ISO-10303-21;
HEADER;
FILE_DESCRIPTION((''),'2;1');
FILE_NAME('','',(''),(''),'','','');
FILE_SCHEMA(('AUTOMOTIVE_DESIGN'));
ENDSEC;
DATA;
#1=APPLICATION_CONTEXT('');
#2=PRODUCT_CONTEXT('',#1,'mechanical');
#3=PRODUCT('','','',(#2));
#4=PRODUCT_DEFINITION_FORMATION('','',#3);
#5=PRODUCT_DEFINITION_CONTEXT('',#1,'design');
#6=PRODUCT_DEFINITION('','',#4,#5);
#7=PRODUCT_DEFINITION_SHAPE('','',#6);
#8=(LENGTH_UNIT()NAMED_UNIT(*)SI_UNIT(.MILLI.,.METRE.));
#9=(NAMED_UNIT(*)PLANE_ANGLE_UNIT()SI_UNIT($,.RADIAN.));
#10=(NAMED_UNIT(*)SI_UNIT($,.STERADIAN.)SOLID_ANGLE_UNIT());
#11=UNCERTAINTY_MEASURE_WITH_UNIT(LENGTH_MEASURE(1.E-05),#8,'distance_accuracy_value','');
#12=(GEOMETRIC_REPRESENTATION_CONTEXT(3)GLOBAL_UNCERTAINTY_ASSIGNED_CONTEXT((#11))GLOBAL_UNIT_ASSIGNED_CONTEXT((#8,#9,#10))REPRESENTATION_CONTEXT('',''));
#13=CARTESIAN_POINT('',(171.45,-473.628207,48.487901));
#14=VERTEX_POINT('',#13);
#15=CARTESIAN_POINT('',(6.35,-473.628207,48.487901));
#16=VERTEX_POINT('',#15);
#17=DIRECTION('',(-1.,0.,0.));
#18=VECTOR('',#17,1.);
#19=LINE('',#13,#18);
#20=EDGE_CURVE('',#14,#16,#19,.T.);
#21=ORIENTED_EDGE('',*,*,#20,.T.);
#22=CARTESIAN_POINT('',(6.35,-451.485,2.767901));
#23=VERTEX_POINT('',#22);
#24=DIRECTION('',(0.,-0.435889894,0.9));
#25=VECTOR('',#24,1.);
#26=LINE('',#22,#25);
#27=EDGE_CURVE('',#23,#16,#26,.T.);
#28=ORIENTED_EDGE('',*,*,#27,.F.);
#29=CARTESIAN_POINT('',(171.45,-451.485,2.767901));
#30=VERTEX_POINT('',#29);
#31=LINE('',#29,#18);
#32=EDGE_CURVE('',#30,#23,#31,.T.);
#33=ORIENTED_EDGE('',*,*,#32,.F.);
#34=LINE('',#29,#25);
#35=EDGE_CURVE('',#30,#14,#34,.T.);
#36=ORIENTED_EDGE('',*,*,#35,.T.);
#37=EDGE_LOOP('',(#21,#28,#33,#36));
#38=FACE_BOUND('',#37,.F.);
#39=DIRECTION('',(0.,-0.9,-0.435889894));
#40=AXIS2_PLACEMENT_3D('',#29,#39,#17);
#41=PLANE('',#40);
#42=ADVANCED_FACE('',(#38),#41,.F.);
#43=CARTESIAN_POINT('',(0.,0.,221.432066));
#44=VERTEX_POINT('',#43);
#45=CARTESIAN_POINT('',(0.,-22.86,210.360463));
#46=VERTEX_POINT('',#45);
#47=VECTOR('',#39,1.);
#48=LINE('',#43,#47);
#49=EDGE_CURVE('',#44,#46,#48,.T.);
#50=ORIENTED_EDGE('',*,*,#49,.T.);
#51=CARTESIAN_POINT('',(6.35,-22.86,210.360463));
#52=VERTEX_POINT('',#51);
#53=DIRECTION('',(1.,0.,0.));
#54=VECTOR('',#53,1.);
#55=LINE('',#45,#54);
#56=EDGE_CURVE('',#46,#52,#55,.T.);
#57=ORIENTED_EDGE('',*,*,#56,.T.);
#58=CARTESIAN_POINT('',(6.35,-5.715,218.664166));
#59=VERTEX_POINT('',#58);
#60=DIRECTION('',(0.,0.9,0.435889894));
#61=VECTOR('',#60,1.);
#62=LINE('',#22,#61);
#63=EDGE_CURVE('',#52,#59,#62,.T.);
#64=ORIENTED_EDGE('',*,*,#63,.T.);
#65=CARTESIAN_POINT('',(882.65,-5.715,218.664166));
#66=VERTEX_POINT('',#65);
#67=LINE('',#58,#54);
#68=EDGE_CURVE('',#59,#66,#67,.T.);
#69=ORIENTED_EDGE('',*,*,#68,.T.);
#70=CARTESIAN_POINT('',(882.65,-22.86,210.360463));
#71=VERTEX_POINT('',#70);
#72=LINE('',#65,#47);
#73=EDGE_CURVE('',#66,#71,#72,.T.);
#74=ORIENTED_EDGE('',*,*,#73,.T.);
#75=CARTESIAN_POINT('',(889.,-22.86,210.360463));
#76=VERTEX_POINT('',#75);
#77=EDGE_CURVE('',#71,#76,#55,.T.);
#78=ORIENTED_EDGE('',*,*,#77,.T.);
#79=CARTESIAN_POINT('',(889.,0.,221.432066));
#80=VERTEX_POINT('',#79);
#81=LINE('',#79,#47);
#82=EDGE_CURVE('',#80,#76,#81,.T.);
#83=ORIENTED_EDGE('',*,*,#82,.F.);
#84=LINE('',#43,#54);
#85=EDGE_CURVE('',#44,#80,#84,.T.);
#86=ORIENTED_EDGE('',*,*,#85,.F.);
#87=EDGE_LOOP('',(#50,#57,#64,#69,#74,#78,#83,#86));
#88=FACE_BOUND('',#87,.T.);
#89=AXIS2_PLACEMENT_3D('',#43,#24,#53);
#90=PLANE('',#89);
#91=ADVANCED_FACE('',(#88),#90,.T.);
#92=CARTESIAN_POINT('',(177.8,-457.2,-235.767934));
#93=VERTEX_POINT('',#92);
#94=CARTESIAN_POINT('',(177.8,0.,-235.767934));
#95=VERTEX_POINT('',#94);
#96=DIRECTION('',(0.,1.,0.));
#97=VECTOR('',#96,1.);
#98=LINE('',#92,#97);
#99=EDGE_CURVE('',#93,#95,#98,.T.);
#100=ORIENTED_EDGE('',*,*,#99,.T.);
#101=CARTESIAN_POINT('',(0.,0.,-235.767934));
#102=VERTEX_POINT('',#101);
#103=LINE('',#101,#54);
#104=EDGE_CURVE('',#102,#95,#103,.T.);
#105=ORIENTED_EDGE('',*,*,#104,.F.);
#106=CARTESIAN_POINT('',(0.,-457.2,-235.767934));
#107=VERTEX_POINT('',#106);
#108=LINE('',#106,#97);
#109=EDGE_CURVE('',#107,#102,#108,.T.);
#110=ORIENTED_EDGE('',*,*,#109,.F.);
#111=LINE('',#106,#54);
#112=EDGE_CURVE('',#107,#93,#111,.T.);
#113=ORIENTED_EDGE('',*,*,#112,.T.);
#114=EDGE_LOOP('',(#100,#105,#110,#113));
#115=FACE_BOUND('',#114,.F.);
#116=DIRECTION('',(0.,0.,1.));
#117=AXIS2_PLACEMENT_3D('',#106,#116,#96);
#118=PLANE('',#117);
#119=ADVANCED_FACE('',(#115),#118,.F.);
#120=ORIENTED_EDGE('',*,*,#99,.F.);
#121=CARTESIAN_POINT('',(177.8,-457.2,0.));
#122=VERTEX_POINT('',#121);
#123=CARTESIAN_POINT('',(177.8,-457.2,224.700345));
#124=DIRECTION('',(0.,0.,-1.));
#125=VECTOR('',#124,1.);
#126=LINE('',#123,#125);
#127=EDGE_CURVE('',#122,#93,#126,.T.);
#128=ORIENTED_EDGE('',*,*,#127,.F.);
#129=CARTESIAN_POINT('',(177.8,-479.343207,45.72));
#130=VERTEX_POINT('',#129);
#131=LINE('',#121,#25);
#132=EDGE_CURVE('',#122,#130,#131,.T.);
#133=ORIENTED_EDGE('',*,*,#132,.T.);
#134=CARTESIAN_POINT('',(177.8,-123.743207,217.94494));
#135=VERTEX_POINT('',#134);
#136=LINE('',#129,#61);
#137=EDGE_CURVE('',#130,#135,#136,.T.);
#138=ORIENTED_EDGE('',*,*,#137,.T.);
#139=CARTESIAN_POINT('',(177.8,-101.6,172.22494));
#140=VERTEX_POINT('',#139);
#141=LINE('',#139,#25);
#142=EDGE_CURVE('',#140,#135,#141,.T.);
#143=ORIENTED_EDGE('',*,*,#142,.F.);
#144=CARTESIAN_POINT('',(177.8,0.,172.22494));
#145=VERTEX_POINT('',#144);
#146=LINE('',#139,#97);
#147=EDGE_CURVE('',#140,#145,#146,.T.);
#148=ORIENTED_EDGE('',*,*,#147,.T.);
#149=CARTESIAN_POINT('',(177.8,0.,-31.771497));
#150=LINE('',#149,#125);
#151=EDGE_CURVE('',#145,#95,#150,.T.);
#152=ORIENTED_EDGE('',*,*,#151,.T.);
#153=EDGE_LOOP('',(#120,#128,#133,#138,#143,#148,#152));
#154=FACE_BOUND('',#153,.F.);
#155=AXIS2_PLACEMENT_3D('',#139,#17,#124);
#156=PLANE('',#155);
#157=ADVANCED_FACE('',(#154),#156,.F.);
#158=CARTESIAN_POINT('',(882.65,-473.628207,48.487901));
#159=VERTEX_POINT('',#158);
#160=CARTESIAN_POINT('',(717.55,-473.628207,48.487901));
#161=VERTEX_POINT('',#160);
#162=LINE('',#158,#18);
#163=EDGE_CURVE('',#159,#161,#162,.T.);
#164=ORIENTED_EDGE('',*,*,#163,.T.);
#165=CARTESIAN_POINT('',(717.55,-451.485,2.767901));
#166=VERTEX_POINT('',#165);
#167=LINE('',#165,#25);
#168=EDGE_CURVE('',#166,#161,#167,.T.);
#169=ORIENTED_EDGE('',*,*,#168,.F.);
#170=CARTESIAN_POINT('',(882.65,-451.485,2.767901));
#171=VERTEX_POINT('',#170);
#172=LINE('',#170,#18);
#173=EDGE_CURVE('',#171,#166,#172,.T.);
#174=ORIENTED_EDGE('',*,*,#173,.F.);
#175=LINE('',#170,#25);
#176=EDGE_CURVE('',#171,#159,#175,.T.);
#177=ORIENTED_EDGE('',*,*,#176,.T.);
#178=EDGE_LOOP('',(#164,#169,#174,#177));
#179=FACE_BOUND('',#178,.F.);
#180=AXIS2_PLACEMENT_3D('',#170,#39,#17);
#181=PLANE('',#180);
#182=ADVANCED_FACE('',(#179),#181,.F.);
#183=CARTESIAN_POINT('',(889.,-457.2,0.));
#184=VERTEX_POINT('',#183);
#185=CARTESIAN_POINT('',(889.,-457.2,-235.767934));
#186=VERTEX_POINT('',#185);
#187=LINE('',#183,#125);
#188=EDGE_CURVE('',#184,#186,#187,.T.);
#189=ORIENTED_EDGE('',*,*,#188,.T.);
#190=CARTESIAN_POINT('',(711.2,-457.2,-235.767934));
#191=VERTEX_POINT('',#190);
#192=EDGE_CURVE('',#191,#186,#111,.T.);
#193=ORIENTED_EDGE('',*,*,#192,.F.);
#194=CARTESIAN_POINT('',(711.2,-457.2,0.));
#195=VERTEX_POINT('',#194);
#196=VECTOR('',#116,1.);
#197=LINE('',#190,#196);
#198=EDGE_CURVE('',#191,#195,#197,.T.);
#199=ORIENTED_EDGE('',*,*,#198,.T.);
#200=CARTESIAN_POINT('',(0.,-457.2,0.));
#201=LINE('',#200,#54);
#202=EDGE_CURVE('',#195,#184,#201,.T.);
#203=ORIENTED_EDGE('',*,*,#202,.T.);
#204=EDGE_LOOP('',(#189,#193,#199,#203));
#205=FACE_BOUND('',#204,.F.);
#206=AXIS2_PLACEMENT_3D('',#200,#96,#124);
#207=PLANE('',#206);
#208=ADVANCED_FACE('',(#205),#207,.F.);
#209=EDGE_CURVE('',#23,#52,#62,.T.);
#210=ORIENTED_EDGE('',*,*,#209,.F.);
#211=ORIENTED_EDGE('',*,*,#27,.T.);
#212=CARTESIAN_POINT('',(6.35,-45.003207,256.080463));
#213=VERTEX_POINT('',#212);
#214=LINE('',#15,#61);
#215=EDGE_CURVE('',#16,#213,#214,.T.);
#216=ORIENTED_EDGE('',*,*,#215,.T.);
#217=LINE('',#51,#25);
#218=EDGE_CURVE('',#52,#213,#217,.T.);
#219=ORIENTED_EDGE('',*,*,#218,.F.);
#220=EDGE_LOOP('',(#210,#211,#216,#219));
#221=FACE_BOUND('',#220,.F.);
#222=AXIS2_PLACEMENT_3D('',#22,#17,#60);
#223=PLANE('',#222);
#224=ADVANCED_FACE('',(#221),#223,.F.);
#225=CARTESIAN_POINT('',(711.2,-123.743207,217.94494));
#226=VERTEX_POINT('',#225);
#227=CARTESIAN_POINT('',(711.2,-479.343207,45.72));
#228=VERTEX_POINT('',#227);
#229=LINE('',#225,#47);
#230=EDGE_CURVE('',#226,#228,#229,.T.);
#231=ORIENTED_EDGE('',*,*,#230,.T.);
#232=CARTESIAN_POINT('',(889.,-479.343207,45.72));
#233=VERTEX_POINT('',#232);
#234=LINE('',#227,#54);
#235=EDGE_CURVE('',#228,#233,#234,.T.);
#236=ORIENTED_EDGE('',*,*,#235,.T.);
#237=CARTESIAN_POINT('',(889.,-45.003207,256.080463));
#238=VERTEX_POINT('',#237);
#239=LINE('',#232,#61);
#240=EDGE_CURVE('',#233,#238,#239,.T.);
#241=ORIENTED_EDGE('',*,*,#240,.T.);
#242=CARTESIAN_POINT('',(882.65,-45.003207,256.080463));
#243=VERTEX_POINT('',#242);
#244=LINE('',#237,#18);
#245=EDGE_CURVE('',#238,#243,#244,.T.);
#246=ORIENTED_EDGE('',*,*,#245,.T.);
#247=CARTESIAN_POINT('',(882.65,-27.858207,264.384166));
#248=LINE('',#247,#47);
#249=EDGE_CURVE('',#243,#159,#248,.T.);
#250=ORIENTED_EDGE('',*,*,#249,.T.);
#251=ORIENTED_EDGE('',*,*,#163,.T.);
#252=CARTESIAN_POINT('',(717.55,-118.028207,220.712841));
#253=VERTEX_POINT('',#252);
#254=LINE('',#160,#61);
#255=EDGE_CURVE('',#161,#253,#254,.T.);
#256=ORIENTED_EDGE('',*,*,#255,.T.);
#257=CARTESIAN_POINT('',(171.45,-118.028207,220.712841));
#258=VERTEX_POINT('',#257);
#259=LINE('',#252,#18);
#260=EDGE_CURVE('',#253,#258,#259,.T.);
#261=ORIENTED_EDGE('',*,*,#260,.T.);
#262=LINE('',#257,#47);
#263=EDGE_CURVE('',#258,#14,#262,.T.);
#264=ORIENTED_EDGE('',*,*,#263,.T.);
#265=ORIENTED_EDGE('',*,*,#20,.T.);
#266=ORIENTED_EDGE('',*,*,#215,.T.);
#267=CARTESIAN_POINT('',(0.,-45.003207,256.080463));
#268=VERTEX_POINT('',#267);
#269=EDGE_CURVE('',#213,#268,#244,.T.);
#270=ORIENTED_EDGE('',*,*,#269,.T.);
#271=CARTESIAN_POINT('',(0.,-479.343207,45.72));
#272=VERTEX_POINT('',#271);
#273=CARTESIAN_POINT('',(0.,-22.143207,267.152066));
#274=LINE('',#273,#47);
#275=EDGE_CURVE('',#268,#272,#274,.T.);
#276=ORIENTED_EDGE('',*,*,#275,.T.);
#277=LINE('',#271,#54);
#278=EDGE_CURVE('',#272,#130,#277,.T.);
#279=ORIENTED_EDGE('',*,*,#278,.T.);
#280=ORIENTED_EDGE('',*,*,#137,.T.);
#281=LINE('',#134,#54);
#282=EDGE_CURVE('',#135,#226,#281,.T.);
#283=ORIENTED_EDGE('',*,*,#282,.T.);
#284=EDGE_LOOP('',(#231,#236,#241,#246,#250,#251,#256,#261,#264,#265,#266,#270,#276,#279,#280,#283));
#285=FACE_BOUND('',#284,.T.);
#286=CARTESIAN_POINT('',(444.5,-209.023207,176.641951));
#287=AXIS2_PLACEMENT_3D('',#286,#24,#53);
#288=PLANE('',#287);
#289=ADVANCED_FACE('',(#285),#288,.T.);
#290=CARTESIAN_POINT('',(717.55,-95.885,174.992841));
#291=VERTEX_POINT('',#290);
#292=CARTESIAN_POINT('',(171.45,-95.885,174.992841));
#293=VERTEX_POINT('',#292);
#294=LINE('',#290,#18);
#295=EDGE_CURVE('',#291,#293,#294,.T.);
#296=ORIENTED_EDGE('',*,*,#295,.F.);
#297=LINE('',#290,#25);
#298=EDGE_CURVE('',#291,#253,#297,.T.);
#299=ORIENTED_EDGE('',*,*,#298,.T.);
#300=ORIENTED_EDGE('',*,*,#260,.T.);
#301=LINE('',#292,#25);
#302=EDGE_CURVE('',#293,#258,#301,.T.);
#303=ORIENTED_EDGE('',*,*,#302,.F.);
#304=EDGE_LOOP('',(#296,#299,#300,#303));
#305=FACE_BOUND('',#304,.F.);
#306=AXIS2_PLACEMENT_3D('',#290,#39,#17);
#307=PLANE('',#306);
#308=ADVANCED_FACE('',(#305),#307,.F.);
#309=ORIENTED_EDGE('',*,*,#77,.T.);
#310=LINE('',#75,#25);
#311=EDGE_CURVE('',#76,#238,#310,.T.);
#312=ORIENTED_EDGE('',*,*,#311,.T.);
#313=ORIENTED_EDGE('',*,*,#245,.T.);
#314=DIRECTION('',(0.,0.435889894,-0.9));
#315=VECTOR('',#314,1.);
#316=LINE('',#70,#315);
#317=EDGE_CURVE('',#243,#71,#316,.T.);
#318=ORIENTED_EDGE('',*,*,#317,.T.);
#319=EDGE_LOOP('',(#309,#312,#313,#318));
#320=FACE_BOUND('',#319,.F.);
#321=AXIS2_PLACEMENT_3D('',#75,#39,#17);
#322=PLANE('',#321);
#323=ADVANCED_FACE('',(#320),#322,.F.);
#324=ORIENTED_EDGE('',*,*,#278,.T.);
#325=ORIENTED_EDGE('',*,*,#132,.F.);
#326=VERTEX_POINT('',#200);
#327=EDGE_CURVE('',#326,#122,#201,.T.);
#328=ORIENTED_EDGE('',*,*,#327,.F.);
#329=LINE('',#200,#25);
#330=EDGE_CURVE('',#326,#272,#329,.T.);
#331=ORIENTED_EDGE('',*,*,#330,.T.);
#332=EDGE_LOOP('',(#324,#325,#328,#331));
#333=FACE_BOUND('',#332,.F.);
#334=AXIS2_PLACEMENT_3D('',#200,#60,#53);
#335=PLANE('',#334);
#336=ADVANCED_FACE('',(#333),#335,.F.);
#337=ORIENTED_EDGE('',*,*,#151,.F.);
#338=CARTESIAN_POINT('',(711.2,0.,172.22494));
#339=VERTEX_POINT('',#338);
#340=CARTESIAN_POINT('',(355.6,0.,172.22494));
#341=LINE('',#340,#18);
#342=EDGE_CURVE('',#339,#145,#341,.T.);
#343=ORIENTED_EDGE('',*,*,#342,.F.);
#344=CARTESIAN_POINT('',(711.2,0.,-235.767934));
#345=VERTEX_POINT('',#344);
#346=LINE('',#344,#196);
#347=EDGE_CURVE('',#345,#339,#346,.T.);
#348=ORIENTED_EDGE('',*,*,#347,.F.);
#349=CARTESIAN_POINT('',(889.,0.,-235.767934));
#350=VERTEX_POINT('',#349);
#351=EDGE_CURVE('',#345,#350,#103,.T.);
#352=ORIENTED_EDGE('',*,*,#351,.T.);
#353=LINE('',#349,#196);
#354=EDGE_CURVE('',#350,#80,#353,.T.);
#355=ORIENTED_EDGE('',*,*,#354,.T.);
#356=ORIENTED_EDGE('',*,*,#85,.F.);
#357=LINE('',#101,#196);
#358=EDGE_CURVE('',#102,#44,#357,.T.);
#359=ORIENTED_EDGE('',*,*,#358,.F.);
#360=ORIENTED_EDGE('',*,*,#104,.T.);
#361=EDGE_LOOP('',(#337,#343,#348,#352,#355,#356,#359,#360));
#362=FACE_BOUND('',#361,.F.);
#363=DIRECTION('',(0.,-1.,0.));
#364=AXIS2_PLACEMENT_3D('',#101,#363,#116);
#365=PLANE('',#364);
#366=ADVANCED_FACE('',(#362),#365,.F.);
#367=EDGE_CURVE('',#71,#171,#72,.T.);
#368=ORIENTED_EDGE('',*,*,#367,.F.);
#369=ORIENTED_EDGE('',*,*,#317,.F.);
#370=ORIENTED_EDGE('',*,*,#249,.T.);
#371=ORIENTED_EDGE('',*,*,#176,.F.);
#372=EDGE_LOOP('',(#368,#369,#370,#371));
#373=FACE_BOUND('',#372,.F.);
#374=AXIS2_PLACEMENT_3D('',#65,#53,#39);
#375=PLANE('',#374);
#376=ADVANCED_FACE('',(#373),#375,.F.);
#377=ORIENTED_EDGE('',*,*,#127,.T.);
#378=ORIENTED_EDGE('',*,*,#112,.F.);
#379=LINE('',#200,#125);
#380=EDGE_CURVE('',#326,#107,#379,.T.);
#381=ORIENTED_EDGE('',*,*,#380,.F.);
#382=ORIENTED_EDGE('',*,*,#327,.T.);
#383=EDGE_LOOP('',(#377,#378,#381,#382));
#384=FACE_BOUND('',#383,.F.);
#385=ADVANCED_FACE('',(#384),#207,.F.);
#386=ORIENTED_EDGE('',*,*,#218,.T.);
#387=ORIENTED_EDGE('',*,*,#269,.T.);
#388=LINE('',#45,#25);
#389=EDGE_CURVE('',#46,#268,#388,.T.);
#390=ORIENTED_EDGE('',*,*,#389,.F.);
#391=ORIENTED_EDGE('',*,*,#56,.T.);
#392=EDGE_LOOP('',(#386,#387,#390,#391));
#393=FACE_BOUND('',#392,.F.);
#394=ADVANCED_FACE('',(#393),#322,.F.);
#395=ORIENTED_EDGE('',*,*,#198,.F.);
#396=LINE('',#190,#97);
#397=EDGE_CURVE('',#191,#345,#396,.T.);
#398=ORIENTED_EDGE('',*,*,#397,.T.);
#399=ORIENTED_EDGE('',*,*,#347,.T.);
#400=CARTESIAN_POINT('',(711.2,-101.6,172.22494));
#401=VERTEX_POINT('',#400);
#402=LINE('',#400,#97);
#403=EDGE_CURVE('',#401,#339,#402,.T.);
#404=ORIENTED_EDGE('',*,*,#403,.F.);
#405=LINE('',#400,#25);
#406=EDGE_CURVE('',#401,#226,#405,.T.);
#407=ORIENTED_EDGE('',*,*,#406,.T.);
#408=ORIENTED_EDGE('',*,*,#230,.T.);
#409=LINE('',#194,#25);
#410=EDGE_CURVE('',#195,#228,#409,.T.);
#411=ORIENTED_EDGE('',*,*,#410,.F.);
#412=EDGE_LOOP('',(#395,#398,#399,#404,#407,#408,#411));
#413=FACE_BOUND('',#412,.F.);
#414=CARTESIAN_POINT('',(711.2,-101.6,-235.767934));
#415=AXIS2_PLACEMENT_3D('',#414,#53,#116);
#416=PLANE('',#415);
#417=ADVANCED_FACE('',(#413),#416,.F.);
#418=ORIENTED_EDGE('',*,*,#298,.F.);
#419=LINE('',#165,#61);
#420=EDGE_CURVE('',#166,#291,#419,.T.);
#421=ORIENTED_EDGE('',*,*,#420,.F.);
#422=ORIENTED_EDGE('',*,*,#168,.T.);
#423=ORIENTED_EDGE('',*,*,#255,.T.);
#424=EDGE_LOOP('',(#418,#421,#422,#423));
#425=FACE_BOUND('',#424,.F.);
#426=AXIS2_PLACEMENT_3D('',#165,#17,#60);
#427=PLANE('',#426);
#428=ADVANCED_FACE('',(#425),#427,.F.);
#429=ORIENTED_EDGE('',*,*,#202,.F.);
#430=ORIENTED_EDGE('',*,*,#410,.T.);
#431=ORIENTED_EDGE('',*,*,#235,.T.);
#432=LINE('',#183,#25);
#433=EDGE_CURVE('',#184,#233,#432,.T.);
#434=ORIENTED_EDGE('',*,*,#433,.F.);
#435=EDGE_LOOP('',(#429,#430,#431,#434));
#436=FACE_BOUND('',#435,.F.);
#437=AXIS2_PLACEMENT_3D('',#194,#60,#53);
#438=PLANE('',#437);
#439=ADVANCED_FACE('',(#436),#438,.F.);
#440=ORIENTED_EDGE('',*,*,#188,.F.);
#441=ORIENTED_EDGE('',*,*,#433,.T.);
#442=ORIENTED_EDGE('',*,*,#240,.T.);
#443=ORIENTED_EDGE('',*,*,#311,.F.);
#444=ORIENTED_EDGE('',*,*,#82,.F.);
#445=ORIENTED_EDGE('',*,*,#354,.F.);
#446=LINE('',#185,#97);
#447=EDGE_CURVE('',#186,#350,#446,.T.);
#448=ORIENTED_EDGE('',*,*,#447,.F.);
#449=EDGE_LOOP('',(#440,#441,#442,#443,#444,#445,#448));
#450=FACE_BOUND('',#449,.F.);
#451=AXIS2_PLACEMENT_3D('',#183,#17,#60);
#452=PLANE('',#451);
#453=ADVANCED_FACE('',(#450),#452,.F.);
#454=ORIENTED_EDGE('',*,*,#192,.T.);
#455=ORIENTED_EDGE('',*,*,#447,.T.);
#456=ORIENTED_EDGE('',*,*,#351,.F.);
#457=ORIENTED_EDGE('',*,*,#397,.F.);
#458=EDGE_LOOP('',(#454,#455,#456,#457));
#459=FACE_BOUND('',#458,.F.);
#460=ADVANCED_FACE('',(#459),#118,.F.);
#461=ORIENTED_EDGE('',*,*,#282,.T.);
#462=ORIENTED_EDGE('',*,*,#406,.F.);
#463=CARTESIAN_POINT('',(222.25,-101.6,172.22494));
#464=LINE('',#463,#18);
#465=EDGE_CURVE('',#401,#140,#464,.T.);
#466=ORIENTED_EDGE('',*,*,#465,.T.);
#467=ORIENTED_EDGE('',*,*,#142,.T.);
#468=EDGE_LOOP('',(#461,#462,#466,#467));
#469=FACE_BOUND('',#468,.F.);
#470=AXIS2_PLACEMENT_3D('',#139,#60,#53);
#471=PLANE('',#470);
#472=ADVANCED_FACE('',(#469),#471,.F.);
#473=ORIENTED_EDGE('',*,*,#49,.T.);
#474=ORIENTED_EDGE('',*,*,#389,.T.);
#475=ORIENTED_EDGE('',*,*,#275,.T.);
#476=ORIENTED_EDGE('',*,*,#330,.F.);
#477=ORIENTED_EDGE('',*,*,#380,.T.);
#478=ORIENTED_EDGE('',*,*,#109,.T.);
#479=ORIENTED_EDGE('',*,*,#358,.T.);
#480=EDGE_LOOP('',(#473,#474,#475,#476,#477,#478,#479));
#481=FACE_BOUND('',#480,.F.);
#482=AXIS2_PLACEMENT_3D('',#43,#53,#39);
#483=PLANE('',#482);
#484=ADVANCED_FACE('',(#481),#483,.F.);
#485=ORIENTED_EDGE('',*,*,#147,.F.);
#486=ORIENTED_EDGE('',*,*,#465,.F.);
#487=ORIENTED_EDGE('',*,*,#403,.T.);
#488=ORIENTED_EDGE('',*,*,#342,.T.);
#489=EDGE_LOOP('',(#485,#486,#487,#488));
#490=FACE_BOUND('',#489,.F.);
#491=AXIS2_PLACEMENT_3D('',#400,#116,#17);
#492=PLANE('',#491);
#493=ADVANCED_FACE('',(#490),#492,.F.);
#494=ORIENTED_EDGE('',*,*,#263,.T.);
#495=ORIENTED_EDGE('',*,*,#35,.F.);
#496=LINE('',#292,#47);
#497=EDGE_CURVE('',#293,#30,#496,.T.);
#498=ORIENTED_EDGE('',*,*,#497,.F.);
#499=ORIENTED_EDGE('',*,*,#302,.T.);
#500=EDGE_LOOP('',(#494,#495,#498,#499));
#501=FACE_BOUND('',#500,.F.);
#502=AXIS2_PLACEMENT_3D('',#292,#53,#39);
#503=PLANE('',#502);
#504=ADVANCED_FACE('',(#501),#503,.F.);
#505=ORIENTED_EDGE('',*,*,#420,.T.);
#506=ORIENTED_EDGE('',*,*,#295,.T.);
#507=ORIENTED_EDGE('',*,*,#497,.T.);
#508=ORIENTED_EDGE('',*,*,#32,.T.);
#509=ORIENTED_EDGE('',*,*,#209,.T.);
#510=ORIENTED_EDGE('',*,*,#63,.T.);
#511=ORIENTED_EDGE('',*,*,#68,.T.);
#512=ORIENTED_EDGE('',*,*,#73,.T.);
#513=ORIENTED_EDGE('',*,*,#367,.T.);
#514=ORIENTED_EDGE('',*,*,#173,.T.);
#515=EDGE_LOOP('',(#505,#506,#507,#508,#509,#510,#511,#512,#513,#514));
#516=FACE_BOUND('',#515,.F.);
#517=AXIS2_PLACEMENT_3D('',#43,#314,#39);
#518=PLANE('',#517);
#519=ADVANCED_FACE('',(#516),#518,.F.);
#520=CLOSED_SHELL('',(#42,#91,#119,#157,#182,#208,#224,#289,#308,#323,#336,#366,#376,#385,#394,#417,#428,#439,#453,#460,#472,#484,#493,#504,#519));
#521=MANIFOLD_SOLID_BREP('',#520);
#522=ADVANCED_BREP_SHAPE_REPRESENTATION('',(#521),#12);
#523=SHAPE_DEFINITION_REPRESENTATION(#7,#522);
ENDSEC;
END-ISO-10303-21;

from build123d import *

# Parameters (mm, degrees)
F1_DEPTH = 889
F2_W     = 533.4
F2_H     = 235.7679336681
F2_H_2   = 224.7003448227
F3_DEPTH = 355.6
F5_DEPTH = 50.8
F6_DEPTH = 25.4
F7_DEPTH = 101.601


with BuildPart() as f1:
    # F0 (on Right) → F1 (new body)
    with BuildSketch(Plane.YZ):
        Polygon((0, -235.7679336681), (0, 221.4320663319), (-457.2, 0), (-457.2, -235.7679336681), align=None)
    extrude(amount=F1_DEPTH)

    # F2 (on face) → F3 (cut)
    with BuildSketch(Plane.XZ.offset(457.2)):
        with Locations((444.5, -117.8839668341)):
            Rectangle(F2_W, F2_H)
        with Locations((444.5, 112.3501724113)):
            Rectangle(F2_W, F2_H_2)
    extrude(amount=-F3_DEPTH, mode=Mode.SUBTRACT)

    # F4 (on face) → F5 (join)
    with BuildSketch(Plane(origin=(0, -86.868, 179.3599737288), x_dir=(1, 0, 0), z_dir=(0, -0.4358898944, 0.9))):
        Polygon((889, 96.52), (0, 96.52), (0, -411.48), (177.8, -411.48), (177.8, -16.3688888889), (711.2, -16.3688888889), (711.2, -411.48), (889, -411.48), align=None)
        Polygon((6.35, -405.13), (6.35, 90.17), (882.65, 90.17), (882.65, -405.13), (717.55, -405.13), (717.55, -10.0188888889), (171.45, -10.0188888889), (171.45, -405.13), align=None, mode=Mode.SUBTRACT)
    extrude(amount=F5_DEPTH)

    # F6 (cut): a face of the model
    f6_faces = [f1.faces().sort_by_distance(p)[0] for p in [
        (444.5, -11.0716033166, 244.2920663319),
    ]]
    extrude(f6_faces, amount=-F6_DEPTH, mode=Mode.SUBTRACT)

    # F7 (cut, through all): a face of the model
    f7_faces = [f1.faces().sort_by_distance(p)[0] for p in [
        (444.5, -101.6, -31.7714965939),
    ]]
    extrude(f7_faces, amount=-F7_DEPTH, mode=Mode.SUBTRACT)


solid = f1.part
